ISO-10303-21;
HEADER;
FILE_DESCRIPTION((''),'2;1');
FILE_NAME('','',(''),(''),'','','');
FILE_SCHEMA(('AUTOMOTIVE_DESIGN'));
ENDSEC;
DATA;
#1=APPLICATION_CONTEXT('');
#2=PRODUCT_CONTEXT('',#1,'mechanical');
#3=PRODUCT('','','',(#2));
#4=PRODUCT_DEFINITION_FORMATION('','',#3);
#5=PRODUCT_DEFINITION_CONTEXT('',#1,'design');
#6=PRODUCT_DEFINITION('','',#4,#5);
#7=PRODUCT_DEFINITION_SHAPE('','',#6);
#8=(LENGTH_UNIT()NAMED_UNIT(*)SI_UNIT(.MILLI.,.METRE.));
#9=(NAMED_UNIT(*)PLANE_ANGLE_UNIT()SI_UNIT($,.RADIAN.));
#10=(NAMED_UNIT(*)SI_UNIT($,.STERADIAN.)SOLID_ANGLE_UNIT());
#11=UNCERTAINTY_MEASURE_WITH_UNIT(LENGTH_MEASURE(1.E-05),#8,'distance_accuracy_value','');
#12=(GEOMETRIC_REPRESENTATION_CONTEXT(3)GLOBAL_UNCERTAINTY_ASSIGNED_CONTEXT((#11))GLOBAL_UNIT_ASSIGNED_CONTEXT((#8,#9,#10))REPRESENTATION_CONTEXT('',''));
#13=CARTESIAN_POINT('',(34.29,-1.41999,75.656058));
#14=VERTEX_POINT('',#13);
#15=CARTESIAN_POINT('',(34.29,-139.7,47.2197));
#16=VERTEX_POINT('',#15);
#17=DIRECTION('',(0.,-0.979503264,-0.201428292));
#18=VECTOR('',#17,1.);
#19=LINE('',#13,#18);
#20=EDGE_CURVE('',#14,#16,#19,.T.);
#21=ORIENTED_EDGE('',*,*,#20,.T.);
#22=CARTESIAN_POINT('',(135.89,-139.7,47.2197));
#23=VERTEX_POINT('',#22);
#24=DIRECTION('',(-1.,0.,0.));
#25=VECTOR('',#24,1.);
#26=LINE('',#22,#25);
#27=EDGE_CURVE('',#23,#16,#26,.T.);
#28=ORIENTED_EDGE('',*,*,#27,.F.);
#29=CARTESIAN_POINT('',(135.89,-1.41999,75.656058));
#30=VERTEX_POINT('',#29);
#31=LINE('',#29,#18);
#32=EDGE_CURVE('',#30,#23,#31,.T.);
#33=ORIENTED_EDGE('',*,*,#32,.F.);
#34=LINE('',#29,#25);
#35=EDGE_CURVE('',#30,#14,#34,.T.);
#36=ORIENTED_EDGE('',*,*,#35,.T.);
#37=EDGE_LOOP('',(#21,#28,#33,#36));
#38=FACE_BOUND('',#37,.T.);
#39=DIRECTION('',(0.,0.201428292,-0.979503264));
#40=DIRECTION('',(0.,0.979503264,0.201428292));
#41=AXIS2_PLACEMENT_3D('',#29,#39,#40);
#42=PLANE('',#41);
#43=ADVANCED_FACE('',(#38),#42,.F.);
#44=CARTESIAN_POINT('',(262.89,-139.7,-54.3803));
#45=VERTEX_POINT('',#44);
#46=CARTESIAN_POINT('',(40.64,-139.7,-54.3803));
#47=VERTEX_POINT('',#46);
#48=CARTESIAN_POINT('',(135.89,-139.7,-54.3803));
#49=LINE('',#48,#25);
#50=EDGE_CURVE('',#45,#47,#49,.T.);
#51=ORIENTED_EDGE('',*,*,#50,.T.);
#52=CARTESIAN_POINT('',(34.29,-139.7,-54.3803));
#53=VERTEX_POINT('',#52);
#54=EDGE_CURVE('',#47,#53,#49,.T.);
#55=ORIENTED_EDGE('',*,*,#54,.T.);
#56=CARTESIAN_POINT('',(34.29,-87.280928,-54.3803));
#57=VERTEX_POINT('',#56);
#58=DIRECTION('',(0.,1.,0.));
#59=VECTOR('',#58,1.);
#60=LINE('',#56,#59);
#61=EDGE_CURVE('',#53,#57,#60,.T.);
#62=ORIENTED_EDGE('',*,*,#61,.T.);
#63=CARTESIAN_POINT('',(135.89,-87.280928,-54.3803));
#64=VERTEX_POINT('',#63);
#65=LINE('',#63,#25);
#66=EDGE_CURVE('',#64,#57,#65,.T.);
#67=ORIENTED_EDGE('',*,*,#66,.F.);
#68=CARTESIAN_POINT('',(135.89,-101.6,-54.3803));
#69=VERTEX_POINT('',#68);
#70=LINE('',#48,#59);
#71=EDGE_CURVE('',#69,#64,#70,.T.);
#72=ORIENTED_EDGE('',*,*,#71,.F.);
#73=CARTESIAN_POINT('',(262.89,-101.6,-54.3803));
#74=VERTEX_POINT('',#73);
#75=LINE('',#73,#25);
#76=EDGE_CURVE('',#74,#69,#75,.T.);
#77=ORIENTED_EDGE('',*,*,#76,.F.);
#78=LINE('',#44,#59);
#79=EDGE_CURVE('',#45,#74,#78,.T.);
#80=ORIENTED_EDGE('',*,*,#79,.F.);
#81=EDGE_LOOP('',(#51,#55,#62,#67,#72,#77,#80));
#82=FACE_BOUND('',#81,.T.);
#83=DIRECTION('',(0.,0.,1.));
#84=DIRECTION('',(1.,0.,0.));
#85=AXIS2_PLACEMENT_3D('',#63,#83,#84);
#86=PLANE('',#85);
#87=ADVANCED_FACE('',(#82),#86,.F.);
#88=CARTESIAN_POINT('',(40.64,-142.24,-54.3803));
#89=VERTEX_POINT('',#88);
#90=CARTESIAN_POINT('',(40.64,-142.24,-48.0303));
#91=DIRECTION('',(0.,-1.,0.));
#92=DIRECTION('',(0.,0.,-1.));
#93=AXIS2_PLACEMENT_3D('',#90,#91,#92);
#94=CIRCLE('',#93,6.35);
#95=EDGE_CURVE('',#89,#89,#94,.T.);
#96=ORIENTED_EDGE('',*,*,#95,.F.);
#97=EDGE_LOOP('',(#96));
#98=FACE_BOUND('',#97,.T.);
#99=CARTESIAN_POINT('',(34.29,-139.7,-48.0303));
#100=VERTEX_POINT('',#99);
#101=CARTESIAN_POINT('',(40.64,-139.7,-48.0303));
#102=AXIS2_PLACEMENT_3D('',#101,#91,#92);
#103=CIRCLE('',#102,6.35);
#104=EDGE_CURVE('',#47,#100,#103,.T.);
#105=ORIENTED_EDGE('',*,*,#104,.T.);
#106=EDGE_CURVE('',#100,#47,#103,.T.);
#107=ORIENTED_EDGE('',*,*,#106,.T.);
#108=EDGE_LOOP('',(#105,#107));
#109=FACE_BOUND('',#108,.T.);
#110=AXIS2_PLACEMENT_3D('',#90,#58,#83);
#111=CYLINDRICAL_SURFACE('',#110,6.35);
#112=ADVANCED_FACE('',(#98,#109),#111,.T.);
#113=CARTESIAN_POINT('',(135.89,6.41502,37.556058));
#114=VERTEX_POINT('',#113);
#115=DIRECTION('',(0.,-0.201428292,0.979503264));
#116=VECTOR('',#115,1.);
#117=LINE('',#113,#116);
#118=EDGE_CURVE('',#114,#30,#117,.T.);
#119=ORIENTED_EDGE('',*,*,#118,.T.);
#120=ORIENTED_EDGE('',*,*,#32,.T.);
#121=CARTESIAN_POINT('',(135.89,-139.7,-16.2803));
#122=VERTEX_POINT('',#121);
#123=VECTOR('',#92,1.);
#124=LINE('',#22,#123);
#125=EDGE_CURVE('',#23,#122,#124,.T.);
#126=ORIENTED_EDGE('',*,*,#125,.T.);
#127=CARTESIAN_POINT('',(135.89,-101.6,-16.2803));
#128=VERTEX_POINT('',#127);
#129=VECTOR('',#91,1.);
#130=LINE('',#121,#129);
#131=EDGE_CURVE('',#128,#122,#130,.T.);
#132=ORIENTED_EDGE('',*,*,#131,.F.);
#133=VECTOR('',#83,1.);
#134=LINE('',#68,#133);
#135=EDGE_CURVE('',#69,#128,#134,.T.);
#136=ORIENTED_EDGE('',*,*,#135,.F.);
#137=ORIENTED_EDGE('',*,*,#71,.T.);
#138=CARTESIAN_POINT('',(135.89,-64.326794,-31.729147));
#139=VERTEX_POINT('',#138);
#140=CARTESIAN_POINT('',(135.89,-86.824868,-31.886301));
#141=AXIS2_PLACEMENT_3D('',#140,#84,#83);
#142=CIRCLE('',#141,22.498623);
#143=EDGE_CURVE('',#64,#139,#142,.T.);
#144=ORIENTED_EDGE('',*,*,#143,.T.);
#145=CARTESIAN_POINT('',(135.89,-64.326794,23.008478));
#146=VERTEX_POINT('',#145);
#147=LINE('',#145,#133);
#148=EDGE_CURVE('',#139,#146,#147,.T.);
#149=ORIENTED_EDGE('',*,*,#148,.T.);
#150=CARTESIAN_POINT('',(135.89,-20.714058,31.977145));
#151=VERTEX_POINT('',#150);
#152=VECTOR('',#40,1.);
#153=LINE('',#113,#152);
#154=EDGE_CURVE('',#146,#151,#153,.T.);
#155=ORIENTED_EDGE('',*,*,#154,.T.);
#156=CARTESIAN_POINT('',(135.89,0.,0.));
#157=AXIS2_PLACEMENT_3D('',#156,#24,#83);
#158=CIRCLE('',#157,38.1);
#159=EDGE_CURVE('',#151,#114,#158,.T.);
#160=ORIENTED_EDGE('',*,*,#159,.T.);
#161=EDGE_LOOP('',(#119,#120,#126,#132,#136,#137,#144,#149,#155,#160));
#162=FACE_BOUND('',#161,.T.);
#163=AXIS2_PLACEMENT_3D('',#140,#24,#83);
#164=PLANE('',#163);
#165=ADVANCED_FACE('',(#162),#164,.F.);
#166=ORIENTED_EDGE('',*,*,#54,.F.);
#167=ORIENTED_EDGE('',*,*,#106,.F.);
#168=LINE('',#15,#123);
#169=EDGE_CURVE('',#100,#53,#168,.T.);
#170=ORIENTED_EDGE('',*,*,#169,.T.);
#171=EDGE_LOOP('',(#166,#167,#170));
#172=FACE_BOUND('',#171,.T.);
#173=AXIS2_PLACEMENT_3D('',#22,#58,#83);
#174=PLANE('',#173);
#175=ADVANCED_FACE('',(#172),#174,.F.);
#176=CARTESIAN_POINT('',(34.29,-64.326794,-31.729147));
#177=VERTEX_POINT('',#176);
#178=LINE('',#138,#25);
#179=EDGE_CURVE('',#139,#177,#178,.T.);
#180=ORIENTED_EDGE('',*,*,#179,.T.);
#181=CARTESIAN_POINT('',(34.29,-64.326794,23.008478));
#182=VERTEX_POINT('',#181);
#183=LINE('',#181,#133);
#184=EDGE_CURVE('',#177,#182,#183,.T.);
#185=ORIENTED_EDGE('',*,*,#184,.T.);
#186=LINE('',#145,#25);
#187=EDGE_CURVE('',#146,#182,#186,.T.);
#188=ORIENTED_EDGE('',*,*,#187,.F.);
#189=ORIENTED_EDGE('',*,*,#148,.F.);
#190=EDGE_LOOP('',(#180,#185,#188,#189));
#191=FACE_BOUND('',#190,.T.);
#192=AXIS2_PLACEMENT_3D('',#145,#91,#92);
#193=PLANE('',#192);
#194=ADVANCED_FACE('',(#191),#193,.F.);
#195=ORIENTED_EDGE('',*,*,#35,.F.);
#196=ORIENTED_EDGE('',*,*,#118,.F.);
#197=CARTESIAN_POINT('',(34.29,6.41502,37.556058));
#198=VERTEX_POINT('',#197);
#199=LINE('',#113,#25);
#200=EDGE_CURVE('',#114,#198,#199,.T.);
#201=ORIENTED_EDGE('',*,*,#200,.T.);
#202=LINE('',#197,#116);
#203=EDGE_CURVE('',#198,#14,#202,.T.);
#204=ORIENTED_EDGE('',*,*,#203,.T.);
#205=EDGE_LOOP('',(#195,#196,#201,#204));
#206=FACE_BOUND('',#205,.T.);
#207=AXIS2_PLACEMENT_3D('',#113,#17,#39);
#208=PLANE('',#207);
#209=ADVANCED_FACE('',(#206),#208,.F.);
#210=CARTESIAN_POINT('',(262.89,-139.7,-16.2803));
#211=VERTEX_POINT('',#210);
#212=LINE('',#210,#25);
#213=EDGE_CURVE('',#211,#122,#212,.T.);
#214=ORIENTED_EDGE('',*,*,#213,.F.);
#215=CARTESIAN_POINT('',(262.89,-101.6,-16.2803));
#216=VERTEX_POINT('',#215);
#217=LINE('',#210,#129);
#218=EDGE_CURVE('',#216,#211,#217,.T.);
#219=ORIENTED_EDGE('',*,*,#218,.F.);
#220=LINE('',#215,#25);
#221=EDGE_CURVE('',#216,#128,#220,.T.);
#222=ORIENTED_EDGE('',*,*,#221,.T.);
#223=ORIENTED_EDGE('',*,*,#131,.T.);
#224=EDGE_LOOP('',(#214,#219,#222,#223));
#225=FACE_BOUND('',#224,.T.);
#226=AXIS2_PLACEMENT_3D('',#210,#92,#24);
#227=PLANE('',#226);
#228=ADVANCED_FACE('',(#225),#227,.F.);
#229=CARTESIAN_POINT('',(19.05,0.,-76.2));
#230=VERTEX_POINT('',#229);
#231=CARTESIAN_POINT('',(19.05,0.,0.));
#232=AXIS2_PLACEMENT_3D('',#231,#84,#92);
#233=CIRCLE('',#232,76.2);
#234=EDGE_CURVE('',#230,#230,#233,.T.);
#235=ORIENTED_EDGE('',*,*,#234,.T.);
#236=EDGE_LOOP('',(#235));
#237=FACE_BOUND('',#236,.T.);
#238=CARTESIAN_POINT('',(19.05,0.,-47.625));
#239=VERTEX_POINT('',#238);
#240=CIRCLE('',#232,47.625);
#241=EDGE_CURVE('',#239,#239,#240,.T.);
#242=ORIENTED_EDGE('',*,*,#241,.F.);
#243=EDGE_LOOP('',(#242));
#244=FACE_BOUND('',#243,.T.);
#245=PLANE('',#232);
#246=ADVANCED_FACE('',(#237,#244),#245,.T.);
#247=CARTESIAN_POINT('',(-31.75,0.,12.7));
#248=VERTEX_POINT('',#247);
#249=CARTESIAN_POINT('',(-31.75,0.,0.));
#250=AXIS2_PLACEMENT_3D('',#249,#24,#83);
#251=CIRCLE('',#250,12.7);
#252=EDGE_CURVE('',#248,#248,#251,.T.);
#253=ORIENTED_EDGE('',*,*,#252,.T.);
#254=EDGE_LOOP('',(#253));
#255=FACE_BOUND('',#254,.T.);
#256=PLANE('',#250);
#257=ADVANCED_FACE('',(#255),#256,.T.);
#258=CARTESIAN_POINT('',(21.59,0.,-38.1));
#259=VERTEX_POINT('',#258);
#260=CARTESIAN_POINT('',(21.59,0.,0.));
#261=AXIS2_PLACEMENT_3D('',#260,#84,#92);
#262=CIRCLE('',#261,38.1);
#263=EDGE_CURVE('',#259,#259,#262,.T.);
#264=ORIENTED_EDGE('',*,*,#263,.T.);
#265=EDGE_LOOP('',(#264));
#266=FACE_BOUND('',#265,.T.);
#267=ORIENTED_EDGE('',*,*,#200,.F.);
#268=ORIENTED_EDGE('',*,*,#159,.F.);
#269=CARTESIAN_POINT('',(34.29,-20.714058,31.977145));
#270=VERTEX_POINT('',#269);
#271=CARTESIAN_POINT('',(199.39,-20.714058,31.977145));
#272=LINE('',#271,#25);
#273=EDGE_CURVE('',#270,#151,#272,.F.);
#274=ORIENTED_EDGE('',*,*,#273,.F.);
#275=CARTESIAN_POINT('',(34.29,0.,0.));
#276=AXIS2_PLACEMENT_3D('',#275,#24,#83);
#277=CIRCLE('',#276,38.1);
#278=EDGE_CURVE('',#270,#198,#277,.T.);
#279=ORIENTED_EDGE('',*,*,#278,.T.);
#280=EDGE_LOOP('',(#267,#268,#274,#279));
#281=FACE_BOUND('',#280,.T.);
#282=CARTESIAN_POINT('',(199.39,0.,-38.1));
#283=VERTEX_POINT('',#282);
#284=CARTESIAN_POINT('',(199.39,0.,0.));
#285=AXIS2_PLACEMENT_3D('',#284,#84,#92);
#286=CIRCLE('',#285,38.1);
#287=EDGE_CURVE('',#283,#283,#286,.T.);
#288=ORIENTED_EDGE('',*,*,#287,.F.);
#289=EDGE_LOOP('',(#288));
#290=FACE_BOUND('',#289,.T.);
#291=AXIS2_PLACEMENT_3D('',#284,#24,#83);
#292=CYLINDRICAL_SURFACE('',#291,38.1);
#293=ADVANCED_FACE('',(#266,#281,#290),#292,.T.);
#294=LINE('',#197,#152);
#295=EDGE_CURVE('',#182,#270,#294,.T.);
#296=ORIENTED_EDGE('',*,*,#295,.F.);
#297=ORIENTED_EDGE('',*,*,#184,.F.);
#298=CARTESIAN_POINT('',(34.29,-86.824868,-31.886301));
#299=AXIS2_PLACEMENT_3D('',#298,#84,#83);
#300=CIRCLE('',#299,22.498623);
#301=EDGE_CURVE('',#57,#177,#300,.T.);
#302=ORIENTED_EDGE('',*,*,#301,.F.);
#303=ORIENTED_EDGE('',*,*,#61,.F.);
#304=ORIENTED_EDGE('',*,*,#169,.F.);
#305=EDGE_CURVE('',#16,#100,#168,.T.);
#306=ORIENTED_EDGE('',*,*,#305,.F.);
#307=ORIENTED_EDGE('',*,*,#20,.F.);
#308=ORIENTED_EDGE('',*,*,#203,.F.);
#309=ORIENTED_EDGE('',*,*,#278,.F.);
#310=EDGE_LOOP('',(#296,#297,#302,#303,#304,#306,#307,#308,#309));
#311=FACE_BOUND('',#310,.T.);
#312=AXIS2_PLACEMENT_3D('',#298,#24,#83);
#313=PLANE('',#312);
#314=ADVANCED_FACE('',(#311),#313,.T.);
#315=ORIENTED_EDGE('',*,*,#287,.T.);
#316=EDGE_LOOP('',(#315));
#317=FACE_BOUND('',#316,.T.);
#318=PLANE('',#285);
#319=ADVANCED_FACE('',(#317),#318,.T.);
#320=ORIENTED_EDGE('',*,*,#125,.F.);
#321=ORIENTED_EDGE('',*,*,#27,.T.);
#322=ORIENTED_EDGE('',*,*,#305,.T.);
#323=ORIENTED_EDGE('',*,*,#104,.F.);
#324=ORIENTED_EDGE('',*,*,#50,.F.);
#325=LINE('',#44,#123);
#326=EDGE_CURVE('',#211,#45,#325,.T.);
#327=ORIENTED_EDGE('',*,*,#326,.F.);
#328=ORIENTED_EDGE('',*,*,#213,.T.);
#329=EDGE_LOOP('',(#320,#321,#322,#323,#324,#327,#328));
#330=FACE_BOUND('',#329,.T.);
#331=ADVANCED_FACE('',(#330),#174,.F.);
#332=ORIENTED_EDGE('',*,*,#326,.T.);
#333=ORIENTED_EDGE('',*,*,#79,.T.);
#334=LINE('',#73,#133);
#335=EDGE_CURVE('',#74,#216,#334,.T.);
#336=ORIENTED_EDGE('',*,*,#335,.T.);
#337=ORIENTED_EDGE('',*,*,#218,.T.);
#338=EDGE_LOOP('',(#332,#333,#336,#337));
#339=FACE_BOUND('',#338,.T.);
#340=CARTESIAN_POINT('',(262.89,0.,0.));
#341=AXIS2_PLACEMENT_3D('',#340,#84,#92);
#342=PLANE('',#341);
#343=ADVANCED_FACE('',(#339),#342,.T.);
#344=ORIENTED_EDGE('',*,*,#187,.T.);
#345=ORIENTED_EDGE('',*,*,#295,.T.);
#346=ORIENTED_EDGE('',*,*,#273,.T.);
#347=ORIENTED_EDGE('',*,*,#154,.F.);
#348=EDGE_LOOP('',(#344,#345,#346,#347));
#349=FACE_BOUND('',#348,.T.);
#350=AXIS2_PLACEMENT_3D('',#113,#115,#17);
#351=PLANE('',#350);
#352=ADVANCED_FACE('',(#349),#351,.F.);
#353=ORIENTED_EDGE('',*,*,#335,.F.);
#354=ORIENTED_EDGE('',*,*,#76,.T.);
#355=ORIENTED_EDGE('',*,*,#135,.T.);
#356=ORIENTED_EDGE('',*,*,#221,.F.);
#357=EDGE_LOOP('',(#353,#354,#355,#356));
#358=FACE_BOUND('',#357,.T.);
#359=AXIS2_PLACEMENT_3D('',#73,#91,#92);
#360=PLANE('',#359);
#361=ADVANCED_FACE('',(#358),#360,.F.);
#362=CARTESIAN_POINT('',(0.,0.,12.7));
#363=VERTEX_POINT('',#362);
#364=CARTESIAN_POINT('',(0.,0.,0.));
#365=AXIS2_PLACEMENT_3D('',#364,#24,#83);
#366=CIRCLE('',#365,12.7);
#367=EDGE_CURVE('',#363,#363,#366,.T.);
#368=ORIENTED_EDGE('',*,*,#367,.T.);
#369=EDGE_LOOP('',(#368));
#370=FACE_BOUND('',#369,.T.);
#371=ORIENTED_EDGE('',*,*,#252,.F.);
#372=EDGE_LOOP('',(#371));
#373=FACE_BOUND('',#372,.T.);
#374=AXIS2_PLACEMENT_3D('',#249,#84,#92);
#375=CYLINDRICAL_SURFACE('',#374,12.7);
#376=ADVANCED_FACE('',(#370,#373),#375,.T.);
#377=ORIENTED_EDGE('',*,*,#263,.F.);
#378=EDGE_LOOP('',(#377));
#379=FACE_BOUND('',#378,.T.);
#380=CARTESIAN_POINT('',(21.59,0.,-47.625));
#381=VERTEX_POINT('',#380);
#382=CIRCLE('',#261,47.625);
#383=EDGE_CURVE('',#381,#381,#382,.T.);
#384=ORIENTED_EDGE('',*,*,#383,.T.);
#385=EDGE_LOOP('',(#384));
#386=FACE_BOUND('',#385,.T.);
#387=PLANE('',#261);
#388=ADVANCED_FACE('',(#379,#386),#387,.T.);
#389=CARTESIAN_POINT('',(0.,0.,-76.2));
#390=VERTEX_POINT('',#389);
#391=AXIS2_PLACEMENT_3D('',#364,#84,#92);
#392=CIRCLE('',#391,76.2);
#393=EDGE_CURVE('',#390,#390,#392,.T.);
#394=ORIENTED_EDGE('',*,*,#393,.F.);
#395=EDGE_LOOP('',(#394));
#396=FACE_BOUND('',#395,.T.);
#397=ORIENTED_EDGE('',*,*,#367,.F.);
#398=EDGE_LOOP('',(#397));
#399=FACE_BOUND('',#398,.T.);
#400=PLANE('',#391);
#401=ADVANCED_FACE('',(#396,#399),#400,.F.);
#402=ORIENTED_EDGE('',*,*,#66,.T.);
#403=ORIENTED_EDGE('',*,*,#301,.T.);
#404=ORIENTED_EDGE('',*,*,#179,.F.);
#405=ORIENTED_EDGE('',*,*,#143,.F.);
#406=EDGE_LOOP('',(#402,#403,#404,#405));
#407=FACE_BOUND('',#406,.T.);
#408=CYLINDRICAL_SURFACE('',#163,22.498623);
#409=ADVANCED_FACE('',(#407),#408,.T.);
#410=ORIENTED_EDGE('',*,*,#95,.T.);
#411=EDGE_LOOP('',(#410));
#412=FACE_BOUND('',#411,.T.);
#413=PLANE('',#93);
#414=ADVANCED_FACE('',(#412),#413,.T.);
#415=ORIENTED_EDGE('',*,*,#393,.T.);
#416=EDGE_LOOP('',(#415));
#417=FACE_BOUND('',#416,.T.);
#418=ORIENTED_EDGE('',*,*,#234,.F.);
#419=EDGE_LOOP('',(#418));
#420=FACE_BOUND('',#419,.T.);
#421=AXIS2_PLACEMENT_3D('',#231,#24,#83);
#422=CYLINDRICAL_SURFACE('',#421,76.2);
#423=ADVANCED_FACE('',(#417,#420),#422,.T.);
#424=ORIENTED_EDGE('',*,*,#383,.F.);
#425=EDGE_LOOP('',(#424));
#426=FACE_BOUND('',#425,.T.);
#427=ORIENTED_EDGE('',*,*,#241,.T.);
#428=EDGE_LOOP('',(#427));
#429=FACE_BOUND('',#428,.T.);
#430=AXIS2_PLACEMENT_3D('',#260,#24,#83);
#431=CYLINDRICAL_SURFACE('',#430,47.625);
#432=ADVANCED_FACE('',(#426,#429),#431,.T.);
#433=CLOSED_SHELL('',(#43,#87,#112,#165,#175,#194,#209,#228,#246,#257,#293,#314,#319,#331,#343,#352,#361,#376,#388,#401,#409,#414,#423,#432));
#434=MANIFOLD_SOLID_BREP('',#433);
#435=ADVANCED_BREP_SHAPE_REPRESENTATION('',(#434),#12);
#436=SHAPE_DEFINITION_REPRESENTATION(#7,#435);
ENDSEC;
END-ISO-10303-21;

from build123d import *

# Parameters (mm, degrees)
SKETCH1_R           = 76.2
BOSS_EXTRUDE1_DEPTH = 19.05
SKETCH2_R           = 47.625
BOSS_EXTRUDE2_DEPTH = 2.54
SKETCH3_R           = 38.1
BOSS_EXTRUDE3_DEPTH = 177.8
SKETCH4_R           = 12.7
BOSS_EXTRUDE4_DEPTH = 31.75
BOSS_EXTRUDE5_DEPTH = 101.6
SKETCH8_W           = 38.1
SKETCH8_H           = 38.1
BOSS_EXTRUDE6_DEPTH = 127
SKETCH9_R           = 6.35
BOSS_EXTRUDE7_DEPTH = 2.54


with BuildPart() as part:
    # Sketch1 → Boss-Extrude1 (new body)
    with BuildSketch(Plane(origin=(0, 0, 0), x_dir=(0, 0, -1), z_dir=(1, 0, 0))):
        Circle(SKETCH1_R)
    extrude(amount=BOSS_EXTRUDE1_DEPTH)

    # Sketch2 → Boss-Extrude2 (add)
    with BuildSketch(Plane(origin=(19.05, 0, 0), x_dir=(0, 0, -1), z_dir=(1, 0, 0))):
        Circle(SKETCH2_R)
    extrude(amount=BOSS_EXTRUDE2_DEPTH)

    # Sketch3 → Boss-Extrude3 (add)
    with BuildSketch(Plane(origin=(21.59, 0, 0), x_dir=(0, 0, -1), z_dir=(1, 0, 0))):
        Circle(SKETCH3_R)
    extrude(amount=BOSS_EXTRUDE3_DEPTH)

    # Sketch4 → Boss-Extrude4 (add)
    with BuildSketch(Plane.ZY):
        Circle(SKETCH4_R)
    extrude(amount=BOSS_EXTRUDE4_DEPTH)

    # Sketch7 → Boss-Extrude5 (add)
    with BuildSketch(Plane(origin=(34.29, 0, 0), x_dir=(0, 0, -1), z_dir=(1, 0, 0))):
        with BuildLine():
            Line((-37.556058373, 6.415019833), (-75.656058373, -1.41999022))
            Line((-75.656058373, -1.41999022), (-47.219699668, -139.7))
            Line((-47.219699668, -139.7), (54.380300332, -139.7))
            Line((54.380300332, -139.7), (54.380300332, -109.367342085))
            Line((54.380300332, -109.367342085), (54.380300332, -87.28092842))
            ThreePointArc((54.380300332, -87.28092842), (47.900567457, -71.021979596), (31.729146835, -64.326794005))
            Line((31.729146835, -64.326794005), (-23.008477729, -64.326794005))
            Line((-23.008477729, -64.326794005), (-37.556058373, 6.415019833))
        make_face()
    extrude(amount=BOSS_EXTRUDE5_DEPTH)

    # Sketch8 → Boss-Extrude6 (add)
    with BuildSketch(Plane(origin=(135.89, 0, 0), x_dir=(0, 0, -1), z_dir=(1, 0, 0))):
        with Locations((35.330300332, -120.65)):
            Rectangle(SKETCH8_W, SKETCH8_H)
    extrude(amount=BOSS_EXTRUDE6_DEPTH)

    # Sketch9 → Boss-Extrude7 (add)
    with BuildSketch(Plane(origin=(0, -139.7, 0), x_dir=(-1, 0, 0), z_dir=(0, -1, 0))):
        with Locations((-40.64, 48.030300332)):
            Circle(SKETCH9_R)
    extrude(amount=BOSS_EXTRUDE7_DEPTH)


solid = part.part
